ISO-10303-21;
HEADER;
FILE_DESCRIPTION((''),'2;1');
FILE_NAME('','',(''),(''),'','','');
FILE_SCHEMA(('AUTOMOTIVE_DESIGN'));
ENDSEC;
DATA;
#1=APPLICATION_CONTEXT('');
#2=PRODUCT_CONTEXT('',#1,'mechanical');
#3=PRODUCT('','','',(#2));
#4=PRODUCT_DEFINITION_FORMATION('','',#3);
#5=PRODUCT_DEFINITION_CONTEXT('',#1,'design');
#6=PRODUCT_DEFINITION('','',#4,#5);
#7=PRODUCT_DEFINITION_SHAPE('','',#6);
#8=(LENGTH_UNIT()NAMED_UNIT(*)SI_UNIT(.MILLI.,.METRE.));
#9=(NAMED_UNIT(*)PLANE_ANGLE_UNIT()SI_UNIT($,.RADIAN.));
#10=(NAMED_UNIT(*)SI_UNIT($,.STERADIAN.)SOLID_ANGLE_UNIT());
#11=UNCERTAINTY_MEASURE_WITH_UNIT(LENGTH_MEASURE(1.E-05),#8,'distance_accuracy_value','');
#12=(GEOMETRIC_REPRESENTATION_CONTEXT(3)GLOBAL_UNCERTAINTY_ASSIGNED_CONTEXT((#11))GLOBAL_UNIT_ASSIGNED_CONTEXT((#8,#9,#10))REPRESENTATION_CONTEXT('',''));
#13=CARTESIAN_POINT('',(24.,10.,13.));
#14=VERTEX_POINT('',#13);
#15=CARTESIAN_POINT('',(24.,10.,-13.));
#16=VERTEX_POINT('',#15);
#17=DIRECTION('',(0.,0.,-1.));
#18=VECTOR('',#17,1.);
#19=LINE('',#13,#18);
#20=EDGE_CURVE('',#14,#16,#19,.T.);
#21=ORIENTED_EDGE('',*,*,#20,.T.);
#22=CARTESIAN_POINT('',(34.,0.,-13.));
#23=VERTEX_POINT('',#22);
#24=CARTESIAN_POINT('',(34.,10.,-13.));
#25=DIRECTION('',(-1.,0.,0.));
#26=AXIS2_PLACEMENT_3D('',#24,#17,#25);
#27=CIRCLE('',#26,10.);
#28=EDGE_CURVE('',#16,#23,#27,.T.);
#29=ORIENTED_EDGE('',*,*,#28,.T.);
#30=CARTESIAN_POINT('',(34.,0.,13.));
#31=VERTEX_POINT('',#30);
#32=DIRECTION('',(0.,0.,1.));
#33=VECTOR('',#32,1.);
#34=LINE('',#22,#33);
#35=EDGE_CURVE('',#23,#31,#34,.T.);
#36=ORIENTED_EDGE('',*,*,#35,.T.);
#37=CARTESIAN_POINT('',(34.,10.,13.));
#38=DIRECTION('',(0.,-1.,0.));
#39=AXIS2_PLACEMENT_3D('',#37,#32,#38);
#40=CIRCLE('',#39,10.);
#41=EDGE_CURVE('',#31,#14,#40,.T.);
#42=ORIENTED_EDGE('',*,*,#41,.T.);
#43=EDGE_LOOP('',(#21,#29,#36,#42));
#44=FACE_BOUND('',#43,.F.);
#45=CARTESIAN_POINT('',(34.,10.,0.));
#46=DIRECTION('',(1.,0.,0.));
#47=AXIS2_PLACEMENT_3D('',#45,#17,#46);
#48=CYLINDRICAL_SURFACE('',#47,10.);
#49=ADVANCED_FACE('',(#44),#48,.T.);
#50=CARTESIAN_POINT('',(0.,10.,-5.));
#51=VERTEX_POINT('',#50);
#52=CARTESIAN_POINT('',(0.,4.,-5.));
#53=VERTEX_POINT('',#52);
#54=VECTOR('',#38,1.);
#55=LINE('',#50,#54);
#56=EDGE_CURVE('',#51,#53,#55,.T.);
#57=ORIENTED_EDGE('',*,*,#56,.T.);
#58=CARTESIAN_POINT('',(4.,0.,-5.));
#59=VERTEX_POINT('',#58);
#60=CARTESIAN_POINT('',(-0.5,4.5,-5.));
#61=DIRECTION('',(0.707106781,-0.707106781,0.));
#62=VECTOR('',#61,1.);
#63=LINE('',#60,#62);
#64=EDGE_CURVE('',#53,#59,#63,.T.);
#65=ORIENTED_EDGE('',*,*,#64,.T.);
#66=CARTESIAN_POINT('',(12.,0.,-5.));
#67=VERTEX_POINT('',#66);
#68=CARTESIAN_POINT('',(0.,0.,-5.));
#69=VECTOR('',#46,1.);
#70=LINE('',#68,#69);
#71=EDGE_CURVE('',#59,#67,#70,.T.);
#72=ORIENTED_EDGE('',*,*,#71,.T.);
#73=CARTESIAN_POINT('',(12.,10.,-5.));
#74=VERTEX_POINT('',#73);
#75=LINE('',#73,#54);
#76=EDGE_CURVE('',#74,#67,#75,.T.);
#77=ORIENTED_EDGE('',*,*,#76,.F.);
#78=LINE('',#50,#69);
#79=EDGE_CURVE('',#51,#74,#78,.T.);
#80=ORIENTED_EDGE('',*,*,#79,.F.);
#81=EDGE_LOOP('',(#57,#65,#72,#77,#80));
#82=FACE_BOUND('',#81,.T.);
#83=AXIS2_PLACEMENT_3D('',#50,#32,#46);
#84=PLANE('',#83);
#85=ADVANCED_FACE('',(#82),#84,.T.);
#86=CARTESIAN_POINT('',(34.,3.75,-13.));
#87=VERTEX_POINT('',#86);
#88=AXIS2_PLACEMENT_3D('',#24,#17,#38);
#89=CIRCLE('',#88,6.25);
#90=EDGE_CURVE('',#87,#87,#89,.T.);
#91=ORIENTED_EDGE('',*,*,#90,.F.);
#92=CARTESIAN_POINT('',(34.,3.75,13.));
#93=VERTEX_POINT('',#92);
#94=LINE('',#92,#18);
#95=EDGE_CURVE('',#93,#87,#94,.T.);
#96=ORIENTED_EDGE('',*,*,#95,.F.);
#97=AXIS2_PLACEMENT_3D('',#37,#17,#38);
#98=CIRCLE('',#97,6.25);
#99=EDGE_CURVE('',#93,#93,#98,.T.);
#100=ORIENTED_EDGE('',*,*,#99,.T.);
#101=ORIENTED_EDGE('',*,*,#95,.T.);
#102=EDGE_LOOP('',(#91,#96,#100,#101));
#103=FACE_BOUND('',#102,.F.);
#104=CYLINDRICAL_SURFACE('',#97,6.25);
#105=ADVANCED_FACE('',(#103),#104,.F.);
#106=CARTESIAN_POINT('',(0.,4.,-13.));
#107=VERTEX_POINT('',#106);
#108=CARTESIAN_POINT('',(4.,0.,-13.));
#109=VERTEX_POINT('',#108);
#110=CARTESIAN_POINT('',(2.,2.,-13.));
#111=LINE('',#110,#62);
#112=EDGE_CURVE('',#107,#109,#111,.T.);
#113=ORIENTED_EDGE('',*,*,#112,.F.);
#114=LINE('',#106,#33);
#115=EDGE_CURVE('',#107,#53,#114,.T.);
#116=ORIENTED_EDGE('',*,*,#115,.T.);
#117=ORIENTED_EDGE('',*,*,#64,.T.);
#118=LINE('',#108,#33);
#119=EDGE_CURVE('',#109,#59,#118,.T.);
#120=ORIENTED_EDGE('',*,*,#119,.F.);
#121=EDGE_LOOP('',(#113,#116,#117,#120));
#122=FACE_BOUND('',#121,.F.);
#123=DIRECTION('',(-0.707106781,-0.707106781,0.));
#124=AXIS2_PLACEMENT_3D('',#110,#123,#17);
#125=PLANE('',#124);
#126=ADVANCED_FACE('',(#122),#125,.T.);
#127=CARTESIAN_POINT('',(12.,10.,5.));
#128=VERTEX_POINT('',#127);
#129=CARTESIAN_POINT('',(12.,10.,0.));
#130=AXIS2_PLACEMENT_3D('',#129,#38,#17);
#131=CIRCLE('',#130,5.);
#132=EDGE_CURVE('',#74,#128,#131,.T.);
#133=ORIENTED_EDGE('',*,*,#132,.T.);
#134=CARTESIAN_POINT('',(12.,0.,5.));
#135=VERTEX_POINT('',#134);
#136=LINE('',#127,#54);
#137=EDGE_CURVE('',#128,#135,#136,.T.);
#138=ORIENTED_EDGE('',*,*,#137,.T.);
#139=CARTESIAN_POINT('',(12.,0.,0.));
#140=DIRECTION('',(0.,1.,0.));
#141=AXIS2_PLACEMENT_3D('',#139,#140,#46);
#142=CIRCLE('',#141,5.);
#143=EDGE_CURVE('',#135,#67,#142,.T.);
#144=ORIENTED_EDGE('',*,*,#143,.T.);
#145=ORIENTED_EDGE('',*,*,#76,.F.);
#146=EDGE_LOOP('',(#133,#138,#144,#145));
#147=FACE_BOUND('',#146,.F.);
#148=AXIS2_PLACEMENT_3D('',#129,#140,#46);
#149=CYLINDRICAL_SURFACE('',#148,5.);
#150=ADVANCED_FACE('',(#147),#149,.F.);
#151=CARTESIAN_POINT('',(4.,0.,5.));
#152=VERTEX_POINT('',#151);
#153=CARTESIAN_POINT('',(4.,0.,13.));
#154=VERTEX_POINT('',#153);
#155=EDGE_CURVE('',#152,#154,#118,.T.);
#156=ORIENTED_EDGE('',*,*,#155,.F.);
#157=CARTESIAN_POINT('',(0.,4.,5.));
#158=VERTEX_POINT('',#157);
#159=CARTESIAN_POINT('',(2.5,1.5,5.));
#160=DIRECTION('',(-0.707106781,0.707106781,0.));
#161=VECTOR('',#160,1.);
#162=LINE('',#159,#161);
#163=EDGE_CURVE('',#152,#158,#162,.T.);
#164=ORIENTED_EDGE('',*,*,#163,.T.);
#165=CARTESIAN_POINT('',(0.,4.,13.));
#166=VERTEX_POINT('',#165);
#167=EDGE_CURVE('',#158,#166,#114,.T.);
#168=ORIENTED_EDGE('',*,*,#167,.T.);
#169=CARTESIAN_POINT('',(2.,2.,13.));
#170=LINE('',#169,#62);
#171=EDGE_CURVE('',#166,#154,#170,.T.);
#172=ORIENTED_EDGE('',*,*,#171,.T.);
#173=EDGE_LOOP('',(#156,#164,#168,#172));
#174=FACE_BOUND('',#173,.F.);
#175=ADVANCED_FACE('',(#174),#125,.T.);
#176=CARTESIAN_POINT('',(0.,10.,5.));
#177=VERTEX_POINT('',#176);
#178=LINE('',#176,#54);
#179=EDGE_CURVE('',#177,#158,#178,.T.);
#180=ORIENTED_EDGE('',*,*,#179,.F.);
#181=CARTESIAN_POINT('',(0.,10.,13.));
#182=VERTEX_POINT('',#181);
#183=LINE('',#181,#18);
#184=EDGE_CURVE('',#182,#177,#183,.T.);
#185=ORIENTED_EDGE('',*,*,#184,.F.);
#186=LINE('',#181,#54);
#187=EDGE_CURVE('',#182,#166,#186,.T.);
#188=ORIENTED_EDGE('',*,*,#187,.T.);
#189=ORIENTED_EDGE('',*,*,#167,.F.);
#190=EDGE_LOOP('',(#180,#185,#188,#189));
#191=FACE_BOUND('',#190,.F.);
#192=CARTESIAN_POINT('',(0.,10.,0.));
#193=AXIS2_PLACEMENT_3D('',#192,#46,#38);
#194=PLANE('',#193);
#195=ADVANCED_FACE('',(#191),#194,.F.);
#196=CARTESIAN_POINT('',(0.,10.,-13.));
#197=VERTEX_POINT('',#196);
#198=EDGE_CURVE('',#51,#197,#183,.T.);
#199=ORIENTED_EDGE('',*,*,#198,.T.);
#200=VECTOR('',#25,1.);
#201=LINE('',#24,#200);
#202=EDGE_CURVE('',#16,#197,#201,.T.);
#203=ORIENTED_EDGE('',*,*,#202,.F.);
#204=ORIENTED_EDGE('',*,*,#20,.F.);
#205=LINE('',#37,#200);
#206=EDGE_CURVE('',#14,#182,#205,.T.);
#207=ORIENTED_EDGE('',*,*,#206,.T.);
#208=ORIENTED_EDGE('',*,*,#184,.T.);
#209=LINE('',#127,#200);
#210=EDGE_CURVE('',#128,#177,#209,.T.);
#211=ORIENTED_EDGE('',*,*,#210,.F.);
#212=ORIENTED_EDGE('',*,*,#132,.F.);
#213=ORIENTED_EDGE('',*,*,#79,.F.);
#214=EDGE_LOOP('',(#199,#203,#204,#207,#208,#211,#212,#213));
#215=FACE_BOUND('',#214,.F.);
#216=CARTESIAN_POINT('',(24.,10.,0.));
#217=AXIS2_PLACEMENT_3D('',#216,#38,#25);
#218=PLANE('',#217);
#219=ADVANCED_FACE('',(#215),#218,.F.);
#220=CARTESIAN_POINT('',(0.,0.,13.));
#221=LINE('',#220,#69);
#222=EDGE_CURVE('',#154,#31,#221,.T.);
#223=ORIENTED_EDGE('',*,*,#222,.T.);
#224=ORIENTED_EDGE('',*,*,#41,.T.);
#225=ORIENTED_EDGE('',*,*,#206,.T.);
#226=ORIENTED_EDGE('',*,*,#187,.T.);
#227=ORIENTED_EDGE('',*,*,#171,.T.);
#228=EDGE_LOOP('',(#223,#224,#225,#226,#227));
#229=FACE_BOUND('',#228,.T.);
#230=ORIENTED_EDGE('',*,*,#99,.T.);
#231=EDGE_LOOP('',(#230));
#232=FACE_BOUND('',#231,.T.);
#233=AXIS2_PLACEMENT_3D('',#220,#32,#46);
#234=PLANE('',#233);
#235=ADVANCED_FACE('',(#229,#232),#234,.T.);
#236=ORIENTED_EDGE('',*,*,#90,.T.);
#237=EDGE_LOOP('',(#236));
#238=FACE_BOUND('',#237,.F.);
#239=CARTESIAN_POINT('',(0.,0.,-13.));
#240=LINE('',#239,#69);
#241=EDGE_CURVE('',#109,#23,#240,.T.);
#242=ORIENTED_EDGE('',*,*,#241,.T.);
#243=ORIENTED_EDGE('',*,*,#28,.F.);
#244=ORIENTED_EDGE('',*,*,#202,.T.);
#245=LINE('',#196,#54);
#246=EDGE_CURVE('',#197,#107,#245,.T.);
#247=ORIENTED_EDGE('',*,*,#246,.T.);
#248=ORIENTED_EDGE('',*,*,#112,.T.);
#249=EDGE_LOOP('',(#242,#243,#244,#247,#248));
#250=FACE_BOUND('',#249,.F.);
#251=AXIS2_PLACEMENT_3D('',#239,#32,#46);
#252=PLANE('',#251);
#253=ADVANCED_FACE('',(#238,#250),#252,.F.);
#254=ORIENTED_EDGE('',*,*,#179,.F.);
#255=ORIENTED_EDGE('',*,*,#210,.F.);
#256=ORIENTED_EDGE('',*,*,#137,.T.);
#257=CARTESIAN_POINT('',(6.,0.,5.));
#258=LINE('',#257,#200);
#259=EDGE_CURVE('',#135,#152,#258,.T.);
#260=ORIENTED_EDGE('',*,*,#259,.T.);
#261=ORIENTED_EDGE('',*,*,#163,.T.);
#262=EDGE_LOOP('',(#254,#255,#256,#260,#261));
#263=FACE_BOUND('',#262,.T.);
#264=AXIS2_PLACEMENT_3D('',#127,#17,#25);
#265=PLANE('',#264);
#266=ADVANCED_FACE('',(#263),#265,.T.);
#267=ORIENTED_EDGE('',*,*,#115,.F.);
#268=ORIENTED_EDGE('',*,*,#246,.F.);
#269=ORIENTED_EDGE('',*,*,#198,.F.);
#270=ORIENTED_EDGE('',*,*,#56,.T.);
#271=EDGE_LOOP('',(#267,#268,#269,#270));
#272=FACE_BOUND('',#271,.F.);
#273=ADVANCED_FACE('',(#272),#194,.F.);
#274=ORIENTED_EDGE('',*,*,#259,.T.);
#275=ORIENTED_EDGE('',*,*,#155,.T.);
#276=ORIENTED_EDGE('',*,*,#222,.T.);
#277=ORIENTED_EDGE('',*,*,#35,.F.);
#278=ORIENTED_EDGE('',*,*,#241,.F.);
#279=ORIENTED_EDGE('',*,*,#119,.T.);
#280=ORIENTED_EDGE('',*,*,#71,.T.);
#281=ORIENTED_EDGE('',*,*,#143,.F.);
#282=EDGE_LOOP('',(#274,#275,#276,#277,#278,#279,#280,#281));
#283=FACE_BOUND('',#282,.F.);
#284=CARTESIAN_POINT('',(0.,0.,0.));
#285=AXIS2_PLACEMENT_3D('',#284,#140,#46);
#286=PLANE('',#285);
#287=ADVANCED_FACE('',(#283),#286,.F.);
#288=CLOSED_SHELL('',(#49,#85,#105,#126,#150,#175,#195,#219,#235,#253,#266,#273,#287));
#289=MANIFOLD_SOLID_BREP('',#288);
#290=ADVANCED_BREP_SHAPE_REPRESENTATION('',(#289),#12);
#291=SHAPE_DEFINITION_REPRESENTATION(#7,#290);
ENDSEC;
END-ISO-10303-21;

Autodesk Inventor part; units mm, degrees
ref_plane "YZ Plane" through (0, 0, 0) normal (1, 0, 0) x (0, 1, 0)
ref_plane "XZ Plane" through (0, 0, 0) normal (0, 1, 0) x (-1, 0, 0)
ref_plane "XY Plane" through (0, 0, 0) normal (0, 0, 1) x (1, 0, 0)
sketch "Szkic1" plane through (0, 0, 0) normal (0, 0, 1) x (1, 0, 0)
  line L0 (0, 0) -> (34, 0)
  line L1 (34, 0) -> (34, 10)
  line L2 (34, 10) -> (0, 10)
  line L3 (0, 10) -> (0, 0)
  circle A0 centre (34, 10) radius 10
  point P0 (24, 10)
  dimension "d0" = 34
  dimension "d1" = 10
  dimension "d2" = 20
extrude "Wyciągnięcie proste1" add sketch "Szkic1" along normal mid plane 26
chamfer "Faza1" distance 4 angle 45 1 edges at (0, 0, 0)
sketch "Szkic2" plane through (0, 0, 13) normal (0, 0, 1) x (1, 0, 0)
  arc A0 (34, 0) -> (24, 10) centre (34, 10) ccw projected
  point P0 (0, 0)
hole "Otwór1" at (34, 10, 13) direction (0, 0, -1) diameter 12.5 end through all
sketch "Szkic3" plane through (0, 10, 13) normal (0, 1, 0) x (1, 0, 0)
  line L0 (0, 18) -> (12, 18)
  line L1 (12, 18) -> (12, 8)
  line L2 (12, 8) -> (0, 8)
  line L3 (0, 8) -> (0, 18)
  circle A0 centre (12, 13) radius 5
  point P0 (0, 13)
extrude "Wyciągnięcie proste2" cut sketch "Szkic3" against normal through all
